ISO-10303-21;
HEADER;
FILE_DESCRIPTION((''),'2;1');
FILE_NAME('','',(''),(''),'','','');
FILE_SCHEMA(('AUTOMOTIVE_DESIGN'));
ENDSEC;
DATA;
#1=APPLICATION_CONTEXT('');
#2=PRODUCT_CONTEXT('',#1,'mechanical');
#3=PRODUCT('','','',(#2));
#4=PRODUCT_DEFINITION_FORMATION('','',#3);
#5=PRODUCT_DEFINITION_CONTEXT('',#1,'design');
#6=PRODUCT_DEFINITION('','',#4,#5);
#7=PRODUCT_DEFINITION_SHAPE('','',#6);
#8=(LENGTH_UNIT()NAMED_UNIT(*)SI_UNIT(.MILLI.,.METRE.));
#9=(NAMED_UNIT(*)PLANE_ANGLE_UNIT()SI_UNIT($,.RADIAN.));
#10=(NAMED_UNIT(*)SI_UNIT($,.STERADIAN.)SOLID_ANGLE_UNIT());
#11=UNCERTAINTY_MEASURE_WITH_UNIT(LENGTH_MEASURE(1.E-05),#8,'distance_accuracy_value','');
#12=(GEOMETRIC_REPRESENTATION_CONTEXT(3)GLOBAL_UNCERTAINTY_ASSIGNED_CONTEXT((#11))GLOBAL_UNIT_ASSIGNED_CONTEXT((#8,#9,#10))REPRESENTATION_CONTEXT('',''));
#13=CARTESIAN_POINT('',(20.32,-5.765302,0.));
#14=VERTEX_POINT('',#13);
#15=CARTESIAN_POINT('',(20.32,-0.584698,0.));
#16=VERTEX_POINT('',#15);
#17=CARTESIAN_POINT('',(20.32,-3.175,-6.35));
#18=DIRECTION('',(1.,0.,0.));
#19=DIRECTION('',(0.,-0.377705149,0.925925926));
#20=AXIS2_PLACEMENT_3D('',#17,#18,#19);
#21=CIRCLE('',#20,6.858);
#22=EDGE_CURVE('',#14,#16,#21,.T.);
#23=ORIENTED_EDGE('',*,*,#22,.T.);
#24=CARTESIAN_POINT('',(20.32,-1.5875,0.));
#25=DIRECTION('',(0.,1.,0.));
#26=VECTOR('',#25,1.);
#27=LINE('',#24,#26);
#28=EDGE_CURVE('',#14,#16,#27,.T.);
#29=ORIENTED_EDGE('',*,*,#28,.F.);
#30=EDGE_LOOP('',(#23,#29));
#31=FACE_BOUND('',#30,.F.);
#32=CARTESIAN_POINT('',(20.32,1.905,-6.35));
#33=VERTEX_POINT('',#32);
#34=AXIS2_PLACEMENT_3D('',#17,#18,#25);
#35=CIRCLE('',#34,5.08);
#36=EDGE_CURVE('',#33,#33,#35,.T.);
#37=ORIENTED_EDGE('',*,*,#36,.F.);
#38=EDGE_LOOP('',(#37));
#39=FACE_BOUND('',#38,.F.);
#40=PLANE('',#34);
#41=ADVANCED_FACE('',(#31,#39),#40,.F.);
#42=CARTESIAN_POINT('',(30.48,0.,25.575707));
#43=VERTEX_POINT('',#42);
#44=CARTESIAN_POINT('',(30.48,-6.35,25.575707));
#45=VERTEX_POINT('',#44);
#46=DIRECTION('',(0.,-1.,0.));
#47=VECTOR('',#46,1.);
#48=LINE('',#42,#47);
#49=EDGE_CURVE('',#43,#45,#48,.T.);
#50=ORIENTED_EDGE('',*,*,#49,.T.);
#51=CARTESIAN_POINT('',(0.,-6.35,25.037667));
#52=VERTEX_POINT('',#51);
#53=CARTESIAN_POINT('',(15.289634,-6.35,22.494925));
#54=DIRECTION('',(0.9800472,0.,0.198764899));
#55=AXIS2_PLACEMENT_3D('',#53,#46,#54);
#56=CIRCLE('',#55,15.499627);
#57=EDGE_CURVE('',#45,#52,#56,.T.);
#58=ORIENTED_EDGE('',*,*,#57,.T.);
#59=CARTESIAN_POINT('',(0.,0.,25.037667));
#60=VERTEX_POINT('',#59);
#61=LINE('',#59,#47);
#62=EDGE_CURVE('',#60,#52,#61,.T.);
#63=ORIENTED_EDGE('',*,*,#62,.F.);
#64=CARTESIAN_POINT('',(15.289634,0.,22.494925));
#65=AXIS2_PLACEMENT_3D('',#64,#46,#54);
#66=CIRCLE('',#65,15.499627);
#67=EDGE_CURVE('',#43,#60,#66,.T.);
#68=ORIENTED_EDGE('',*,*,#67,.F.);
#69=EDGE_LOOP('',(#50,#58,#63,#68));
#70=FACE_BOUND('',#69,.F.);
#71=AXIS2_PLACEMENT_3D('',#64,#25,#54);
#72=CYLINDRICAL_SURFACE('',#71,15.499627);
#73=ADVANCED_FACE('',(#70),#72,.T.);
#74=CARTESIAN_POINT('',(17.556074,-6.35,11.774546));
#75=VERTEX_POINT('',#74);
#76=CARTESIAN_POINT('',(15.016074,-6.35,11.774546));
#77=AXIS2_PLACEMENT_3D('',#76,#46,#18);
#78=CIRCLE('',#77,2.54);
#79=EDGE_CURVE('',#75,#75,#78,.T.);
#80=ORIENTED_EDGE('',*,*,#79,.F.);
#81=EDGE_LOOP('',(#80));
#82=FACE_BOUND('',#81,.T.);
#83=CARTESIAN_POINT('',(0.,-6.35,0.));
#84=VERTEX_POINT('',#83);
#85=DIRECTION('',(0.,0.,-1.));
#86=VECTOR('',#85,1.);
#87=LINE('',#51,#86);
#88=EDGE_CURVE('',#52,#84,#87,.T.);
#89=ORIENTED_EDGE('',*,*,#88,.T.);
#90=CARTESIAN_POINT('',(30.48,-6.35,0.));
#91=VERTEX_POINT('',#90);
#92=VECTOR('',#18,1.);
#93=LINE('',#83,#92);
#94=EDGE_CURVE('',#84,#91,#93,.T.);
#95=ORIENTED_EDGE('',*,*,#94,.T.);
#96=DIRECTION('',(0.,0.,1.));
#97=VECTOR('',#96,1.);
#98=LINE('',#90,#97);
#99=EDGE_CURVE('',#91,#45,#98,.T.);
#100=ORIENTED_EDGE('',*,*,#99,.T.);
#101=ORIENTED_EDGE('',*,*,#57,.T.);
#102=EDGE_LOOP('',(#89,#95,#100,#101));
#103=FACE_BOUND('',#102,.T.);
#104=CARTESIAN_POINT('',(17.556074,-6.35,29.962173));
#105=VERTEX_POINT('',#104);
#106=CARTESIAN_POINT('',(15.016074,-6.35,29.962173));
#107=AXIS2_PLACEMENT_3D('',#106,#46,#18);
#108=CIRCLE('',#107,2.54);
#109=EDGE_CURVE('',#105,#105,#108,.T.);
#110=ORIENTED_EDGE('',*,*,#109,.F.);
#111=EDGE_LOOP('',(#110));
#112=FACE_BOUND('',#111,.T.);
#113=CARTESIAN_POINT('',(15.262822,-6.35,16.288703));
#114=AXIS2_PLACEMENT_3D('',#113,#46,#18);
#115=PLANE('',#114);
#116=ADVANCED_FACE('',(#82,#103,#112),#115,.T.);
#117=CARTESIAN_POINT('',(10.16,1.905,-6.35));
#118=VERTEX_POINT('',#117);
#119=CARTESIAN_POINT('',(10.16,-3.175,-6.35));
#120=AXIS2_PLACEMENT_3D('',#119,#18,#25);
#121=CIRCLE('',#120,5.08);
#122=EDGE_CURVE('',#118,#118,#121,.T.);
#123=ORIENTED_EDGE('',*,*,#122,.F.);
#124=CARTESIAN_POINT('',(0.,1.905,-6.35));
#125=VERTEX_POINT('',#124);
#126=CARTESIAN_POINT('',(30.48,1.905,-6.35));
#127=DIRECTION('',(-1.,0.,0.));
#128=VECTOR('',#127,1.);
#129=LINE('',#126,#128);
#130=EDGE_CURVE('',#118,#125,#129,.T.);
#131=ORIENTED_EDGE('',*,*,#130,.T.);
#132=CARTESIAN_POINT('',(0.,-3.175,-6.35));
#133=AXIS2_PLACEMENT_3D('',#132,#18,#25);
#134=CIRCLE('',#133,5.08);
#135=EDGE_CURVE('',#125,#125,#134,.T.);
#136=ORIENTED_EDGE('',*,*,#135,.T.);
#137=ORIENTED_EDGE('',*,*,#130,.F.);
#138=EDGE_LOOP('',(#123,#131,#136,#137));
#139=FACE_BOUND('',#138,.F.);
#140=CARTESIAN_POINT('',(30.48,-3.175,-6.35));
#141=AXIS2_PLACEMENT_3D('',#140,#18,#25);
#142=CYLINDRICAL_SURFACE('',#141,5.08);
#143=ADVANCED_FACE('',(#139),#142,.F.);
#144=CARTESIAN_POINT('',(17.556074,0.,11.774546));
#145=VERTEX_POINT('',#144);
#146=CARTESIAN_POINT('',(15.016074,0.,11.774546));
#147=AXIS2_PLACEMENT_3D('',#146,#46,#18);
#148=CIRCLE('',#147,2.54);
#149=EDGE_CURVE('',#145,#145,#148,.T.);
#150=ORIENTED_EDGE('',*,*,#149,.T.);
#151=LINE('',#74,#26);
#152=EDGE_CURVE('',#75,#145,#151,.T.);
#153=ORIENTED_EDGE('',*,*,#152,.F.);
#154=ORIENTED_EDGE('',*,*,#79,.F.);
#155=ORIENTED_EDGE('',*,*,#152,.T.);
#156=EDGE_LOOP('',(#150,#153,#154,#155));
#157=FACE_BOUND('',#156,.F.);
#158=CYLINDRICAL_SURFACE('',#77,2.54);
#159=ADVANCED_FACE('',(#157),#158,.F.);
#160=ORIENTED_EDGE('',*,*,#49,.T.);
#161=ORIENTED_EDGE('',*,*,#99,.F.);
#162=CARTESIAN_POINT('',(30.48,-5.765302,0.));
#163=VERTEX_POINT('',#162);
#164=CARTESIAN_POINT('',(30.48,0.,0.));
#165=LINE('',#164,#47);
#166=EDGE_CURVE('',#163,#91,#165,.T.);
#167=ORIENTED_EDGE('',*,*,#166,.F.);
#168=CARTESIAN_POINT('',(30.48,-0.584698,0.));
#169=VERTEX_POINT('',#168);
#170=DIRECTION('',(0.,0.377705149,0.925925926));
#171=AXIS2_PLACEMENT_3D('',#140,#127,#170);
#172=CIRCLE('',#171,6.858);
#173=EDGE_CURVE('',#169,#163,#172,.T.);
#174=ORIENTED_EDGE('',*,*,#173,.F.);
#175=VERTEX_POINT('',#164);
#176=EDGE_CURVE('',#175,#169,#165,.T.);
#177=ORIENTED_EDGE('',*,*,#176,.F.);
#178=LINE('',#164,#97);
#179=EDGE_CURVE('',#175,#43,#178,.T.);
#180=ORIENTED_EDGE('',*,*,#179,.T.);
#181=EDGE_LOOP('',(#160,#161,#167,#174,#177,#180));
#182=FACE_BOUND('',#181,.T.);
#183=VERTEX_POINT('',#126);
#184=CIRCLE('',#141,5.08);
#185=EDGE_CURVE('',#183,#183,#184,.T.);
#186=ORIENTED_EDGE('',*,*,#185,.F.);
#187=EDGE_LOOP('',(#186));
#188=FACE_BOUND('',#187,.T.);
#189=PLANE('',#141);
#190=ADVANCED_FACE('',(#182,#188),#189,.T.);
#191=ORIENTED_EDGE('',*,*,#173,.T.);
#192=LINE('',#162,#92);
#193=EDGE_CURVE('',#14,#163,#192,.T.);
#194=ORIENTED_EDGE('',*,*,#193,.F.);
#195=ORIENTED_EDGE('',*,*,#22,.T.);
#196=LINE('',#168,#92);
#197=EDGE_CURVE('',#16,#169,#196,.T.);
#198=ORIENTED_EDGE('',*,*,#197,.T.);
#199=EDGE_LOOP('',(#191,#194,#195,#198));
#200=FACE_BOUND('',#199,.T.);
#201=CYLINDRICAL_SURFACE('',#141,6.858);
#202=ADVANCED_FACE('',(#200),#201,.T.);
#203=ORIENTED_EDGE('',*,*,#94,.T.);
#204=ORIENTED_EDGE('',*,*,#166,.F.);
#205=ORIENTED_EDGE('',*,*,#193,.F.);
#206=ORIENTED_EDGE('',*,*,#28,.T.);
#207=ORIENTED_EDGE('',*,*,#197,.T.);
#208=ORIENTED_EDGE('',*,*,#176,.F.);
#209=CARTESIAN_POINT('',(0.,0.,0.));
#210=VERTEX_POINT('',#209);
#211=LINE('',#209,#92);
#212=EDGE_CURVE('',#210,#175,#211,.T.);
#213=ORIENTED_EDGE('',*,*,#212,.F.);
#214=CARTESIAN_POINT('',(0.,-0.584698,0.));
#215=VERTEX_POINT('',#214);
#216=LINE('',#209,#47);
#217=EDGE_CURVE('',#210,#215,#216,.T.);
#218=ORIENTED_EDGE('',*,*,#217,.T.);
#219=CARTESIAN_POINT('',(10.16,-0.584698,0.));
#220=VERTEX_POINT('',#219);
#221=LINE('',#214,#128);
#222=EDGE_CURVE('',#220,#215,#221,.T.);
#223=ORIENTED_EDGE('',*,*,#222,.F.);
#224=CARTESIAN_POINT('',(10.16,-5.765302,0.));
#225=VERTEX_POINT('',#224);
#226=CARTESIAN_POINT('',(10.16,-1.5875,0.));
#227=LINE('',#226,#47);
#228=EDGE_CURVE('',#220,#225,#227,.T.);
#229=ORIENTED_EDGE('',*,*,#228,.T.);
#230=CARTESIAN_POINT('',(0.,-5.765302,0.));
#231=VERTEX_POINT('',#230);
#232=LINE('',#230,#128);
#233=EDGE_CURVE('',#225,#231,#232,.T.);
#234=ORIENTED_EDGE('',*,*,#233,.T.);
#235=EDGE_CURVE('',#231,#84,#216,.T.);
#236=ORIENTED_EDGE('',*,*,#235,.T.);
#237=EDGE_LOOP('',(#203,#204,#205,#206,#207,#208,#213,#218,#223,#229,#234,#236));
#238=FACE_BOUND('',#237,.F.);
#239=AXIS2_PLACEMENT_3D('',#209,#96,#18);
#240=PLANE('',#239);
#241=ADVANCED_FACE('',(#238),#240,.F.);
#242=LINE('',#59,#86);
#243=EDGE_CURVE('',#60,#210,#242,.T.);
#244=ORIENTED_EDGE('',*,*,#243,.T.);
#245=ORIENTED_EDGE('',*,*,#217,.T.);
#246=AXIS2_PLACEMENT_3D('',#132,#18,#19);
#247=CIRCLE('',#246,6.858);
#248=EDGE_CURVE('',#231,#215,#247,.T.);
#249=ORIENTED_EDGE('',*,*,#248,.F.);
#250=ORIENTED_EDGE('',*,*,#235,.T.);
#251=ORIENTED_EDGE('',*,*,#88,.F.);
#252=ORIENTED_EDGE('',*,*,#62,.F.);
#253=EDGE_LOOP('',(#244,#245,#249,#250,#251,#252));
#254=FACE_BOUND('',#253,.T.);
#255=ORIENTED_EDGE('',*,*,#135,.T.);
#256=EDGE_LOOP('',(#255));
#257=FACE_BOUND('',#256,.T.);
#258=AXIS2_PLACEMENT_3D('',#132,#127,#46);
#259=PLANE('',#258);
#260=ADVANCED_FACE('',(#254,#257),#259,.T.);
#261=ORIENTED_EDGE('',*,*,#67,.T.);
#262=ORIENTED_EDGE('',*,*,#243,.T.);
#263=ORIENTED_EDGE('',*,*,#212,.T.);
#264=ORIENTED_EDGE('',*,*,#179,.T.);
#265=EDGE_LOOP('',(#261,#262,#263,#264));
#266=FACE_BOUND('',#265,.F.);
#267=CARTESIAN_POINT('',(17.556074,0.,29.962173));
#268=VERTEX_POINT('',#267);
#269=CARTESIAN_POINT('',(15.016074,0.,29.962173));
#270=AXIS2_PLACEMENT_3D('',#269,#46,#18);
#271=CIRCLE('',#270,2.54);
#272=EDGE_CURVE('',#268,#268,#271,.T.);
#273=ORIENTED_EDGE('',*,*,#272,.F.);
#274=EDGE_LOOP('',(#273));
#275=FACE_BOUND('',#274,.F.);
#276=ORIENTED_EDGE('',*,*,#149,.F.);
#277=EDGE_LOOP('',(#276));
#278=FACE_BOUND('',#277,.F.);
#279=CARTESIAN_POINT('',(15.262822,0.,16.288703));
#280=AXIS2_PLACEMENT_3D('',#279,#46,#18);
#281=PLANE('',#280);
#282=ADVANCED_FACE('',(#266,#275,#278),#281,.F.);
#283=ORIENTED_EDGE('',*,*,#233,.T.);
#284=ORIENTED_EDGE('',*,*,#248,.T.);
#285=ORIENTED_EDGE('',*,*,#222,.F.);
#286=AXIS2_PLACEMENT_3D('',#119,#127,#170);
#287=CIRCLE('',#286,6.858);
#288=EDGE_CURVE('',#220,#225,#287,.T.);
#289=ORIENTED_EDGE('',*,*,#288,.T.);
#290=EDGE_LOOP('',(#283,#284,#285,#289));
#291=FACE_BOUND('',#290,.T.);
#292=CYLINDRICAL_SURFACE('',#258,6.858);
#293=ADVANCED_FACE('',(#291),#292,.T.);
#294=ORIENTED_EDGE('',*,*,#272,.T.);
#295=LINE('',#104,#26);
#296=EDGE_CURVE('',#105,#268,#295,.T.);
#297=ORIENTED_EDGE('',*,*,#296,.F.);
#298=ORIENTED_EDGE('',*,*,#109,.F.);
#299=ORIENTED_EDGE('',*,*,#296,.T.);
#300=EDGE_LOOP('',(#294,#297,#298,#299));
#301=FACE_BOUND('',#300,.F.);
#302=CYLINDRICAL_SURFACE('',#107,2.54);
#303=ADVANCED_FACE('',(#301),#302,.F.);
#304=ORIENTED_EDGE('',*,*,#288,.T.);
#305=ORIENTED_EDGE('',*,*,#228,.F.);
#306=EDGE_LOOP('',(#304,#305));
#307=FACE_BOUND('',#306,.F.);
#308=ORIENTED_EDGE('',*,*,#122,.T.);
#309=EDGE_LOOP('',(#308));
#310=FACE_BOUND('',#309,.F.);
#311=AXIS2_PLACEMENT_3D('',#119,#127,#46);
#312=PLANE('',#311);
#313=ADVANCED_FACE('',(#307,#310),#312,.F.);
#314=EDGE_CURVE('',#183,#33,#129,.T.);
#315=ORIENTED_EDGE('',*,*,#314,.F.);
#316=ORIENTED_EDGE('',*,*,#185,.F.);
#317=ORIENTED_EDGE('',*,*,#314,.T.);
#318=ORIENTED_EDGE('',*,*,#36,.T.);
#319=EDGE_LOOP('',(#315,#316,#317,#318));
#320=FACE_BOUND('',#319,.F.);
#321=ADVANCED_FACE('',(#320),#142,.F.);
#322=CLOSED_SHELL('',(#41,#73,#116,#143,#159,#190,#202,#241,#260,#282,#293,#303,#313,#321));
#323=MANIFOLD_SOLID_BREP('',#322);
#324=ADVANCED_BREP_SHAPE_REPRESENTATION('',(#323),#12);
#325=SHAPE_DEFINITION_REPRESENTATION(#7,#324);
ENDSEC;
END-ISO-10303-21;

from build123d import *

# Parameters (mm, degrees)
F1_DEPTH = 6.35
F2_R     = 6.858
F3_DEPTH = 10.16
F4_R     = 6.858
F5_DEPTH = 10.16
F6_R     = 5.08
F7_DEPTH = 30.481
F8_R     = 2.54
F9_DEPTH = 25.4


with BuildPart() as f1:
    # F0 (on Front) → F1 (new body)
    with BuildSketch(Plane.XZ):
        with BuildLine():
            Line((0, 25.037667), (0, 0))
            Line((0, 0), (30.48, 0))
            Line((30.48, 0), (30.48, 25.575707))
            ThreePointArc((30.48, 25.575707), (15.016074, 37.992138), (0, 25.037667))
        make_face()
    extrude(amount=F1_DEPTH)

    # F2 (on face) → F3 (join)
    with BuildSketch(Plane.YZ.offset(30.48)):
        with Locations((-3.175, -6.35)):
            Circle(F2_R)
    extrude(amount=-F3_DEPTH)

    # F4 (on face) → F5 (join)
    with BuildSketch(Plane(origin=(0, 0, 0), x_dir=(0, -1, 0), z_dir=(-1, 0, 0))):
        with Locations((3.175, -6.35)):
            Circle(F4_R)
    extrude(amount=-F5_DEPTH)

    # F6 (on face) → F7 (cut, through all)
    with BuildSketch(Plane.YZ.offset(30.48)):
        with Locations((-3.175, -6.35)):
            Circle(F6_R)
    extrude(amount=-F7_DEPTH, mode=Mode.SUBTRACT)

    # F8 (on face) → F9 (cut)
    with BuildSketch(Plane.XZ.offset(6.35)):
        with Locations((15.016074, 29.962173)):
            Circle(F8_R)
        with Locations((15.016074, 11.774546)):
            Circle(F8_R)
    extrude(amount=-F9_DEPTH, mode=Mode.SUBTRACT)


solid = f1.part
